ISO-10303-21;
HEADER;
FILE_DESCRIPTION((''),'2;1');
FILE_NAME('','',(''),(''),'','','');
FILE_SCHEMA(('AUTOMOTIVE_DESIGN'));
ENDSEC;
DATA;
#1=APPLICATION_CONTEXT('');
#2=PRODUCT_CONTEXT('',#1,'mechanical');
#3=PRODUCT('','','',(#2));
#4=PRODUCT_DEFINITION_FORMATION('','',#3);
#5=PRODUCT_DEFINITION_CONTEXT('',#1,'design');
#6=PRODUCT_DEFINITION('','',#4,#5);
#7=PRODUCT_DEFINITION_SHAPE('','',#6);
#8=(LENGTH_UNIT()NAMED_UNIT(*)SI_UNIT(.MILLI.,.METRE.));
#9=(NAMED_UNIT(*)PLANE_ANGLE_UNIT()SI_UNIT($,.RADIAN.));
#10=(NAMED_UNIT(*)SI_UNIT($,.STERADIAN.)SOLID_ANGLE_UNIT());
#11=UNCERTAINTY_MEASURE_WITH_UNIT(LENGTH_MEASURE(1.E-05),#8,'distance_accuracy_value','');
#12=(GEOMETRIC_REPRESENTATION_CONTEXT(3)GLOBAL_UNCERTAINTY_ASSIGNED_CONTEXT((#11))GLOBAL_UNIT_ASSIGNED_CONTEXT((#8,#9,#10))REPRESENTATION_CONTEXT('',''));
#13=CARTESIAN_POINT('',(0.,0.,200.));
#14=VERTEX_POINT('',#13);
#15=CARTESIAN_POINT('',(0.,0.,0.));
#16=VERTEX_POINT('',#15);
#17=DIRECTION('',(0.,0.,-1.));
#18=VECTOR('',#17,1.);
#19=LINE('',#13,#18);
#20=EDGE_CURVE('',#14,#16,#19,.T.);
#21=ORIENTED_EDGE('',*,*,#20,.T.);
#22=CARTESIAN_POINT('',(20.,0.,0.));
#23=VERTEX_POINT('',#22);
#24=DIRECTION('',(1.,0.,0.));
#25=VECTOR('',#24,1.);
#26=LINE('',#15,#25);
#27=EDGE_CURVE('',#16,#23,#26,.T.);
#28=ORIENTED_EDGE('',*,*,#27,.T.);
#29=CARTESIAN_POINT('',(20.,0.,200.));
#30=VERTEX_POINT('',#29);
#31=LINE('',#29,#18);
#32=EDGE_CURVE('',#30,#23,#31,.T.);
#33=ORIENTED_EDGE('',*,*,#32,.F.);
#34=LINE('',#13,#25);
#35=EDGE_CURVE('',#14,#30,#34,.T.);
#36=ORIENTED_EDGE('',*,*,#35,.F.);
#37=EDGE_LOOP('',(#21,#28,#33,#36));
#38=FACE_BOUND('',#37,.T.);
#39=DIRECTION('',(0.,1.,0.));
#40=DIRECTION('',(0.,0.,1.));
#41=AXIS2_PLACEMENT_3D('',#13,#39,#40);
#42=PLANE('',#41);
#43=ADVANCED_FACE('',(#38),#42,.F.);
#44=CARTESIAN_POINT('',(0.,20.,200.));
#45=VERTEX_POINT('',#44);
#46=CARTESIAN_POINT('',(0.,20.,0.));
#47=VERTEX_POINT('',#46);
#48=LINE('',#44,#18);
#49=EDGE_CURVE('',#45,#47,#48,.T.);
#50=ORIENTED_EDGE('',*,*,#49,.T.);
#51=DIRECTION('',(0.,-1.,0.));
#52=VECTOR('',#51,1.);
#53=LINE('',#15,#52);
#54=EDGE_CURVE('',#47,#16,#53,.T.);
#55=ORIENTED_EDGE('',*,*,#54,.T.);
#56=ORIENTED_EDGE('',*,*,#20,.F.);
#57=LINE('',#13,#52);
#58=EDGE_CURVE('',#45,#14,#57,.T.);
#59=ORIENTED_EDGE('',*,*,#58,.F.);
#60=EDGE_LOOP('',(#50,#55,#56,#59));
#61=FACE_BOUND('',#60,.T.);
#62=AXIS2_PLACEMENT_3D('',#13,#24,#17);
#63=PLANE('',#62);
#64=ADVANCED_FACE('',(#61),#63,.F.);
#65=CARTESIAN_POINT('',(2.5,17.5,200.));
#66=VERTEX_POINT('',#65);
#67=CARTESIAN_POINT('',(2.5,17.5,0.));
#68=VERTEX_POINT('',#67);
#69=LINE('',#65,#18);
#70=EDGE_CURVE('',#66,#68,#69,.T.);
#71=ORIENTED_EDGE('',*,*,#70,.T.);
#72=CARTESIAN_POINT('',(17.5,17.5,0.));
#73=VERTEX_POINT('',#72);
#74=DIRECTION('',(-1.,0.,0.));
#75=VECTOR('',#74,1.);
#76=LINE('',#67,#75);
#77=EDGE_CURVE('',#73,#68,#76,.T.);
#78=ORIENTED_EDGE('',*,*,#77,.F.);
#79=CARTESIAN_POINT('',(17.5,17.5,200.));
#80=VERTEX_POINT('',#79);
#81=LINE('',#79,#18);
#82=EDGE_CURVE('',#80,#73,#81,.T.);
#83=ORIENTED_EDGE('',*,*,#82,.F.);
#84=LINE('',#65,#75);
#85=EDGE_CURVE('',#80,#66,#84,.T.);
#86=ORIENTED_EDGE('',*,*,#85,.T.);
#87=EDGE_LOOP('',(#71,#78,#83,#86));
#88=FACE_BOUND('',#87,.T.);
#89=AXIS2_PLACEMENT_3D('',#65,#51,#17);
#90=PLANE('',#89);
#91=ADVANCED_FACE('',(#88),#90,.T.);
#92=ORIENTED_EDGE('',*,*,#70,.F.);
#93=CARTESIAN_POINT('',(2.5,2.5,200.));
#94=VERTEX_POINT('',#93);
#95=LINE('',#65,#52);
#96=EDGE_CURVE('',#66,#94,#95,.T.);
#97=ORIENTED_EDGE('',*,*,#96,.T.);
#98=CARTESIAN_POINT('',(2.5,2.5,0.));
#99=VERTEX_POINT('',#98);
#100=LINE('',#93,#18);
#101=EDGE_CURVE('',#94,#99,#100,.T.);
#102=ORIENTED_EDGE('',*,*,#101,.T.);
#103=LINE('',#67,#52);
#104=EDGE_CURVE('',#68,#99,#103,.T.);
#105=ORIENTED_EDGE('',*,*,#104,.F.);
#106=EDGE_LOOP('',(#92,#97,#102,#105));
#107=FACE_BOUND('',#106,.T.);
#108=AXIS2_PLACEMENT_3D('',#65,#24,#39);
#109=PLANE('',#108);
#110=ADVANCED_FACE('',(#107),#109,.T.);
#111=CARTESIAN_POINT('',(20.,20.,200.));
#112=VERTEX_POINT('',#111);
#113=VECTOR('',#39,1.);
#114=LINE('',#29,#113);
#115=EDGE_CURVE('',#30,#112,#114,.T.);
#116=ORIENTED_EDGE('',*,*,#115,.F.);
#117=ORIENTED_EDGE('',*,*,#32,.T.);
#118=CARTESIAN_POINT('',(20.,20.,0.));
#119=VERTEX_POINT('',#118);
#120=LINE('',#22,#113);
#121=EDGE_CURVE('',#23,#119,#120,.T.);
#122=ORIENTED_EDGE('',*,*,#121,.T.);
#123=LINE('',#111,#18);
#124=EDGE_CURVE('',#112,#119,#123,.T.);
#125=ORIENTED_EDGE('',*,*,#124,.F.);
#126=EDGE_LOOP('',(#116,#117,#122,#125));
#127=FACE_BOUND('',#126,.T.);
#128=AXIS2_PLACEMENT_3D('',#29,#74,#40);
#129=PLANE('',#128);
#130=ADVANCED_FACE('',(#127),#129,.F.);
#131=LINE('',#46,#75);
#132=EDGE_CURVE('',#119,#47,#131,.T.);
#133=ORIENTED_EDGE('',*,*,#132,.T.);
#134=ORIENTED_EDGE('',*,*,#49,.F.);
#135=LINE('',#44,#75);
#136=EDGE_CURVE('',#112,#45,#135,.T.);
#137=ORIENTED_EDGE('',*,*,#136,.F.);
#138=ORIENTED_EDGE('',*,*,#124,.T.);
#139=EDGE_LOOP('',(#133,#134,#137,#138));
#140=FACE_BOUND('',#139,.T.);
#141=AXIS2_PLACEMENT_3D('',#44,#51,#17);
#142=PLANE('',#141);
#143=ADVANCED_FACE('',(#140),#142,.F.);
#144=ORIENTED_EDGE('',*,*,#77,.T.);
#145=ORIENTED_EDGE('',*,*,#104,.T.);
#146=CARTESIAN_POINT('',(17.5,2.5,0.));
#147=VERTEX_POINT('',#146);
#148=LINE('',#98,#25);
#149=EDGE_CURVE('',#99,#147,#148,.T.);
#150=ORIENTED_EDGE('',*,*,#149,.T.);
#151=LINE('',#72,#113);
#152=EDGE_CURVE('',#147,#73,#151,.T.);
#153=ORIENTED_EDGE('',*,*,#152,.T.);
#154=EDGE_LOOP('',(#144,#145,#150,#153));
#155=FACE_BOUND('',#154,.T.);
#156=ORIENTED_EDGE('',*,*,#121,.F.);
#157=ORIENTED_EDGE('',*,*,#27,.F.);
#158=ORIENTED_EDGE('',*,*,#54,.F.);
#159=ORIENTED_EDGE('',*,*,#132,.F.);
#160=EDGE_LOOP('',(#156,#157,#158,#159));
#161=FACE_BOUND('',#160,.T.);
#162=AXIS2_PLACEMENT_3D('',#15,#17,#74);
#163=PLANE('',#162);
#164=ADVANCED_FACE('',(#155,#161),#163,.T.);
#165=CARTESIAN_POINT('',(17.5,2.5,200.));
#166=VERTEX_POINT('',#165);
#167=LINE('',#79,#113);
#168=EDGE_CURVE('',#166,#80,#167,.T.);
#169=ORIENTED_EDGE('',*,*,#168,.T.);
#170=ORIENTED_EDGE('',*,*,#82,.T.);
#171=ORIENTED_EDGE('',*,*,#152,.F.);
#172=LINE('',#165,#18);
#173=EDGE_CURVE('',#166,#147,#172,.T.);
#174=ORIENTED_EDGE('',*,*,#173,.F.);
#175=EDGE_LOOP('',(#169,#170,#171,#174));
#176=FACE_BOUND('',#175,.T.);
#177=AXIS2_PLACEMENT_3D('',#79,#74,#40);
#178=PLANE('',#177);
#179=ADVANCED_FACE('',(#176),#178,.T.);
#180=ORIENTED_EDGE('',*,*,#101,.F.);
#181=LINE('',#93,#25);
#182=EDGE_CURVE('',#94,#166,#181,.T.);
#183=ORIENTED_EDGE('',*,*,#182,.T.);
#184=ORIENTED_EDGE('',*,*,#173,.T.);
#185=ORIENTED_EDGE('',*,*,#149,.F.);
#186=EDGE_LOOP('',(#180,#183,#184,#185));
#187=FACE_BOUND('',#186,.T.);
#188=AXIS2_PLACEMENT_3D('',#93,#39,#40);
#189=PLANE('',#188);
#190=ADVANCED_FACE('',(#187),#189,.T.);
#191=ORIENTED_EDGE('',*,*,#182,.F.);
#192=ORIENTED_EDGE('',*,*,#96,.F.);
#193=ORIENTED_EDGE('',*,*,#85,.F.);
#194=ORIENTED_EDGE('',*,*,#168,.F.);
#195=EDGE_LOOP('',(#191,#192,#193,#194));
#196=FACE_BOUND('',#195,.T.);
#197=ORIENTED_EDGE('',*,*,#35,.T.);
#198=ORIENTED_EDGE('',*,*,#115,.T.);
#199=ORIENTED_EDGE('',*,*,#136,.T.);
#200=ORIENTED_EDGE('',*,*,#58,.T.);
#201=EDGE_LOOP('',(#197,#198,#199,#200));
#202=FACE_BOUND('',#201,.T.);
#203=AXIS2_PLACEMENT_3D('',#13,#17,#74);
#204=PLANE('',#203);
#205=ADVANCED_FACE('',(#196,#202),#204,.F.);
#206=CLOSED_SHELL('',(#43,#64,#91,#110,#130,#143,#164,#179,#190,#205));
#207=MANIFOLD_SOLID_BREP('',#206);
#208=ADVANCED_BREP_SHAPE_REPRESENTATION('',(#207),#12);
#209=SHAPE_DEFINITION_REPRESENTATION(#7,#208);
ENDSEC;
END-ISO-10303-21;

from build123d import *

# Parameters (mm, degrees)
ESQUISSE1_W        = 20
ESQUISSE1_H        = 20
ESQUISSE1_W_2      = 15
ESQUISSE1_H_2      = 15
BOSS_EXTRU_1_DEPTH = 200


with BuildPart() as part:
    # Esquisse1 → Boss.-Extru.1 (new body)
    with BuildSketch(Plane.XY):
        with Locations((10, 10)):
            Rectangle(ESQUISSE1_W, ESQUISSE1_H)
        with Locations((10, 10)):
            Rectangle(ESQUISSE1_W_2, ESQUISSE1_H_2, mode=Mode.SUBTRACT)
    extrude(amount=BOSS_EXTRU_1_DEPTH)


solid = part.part
